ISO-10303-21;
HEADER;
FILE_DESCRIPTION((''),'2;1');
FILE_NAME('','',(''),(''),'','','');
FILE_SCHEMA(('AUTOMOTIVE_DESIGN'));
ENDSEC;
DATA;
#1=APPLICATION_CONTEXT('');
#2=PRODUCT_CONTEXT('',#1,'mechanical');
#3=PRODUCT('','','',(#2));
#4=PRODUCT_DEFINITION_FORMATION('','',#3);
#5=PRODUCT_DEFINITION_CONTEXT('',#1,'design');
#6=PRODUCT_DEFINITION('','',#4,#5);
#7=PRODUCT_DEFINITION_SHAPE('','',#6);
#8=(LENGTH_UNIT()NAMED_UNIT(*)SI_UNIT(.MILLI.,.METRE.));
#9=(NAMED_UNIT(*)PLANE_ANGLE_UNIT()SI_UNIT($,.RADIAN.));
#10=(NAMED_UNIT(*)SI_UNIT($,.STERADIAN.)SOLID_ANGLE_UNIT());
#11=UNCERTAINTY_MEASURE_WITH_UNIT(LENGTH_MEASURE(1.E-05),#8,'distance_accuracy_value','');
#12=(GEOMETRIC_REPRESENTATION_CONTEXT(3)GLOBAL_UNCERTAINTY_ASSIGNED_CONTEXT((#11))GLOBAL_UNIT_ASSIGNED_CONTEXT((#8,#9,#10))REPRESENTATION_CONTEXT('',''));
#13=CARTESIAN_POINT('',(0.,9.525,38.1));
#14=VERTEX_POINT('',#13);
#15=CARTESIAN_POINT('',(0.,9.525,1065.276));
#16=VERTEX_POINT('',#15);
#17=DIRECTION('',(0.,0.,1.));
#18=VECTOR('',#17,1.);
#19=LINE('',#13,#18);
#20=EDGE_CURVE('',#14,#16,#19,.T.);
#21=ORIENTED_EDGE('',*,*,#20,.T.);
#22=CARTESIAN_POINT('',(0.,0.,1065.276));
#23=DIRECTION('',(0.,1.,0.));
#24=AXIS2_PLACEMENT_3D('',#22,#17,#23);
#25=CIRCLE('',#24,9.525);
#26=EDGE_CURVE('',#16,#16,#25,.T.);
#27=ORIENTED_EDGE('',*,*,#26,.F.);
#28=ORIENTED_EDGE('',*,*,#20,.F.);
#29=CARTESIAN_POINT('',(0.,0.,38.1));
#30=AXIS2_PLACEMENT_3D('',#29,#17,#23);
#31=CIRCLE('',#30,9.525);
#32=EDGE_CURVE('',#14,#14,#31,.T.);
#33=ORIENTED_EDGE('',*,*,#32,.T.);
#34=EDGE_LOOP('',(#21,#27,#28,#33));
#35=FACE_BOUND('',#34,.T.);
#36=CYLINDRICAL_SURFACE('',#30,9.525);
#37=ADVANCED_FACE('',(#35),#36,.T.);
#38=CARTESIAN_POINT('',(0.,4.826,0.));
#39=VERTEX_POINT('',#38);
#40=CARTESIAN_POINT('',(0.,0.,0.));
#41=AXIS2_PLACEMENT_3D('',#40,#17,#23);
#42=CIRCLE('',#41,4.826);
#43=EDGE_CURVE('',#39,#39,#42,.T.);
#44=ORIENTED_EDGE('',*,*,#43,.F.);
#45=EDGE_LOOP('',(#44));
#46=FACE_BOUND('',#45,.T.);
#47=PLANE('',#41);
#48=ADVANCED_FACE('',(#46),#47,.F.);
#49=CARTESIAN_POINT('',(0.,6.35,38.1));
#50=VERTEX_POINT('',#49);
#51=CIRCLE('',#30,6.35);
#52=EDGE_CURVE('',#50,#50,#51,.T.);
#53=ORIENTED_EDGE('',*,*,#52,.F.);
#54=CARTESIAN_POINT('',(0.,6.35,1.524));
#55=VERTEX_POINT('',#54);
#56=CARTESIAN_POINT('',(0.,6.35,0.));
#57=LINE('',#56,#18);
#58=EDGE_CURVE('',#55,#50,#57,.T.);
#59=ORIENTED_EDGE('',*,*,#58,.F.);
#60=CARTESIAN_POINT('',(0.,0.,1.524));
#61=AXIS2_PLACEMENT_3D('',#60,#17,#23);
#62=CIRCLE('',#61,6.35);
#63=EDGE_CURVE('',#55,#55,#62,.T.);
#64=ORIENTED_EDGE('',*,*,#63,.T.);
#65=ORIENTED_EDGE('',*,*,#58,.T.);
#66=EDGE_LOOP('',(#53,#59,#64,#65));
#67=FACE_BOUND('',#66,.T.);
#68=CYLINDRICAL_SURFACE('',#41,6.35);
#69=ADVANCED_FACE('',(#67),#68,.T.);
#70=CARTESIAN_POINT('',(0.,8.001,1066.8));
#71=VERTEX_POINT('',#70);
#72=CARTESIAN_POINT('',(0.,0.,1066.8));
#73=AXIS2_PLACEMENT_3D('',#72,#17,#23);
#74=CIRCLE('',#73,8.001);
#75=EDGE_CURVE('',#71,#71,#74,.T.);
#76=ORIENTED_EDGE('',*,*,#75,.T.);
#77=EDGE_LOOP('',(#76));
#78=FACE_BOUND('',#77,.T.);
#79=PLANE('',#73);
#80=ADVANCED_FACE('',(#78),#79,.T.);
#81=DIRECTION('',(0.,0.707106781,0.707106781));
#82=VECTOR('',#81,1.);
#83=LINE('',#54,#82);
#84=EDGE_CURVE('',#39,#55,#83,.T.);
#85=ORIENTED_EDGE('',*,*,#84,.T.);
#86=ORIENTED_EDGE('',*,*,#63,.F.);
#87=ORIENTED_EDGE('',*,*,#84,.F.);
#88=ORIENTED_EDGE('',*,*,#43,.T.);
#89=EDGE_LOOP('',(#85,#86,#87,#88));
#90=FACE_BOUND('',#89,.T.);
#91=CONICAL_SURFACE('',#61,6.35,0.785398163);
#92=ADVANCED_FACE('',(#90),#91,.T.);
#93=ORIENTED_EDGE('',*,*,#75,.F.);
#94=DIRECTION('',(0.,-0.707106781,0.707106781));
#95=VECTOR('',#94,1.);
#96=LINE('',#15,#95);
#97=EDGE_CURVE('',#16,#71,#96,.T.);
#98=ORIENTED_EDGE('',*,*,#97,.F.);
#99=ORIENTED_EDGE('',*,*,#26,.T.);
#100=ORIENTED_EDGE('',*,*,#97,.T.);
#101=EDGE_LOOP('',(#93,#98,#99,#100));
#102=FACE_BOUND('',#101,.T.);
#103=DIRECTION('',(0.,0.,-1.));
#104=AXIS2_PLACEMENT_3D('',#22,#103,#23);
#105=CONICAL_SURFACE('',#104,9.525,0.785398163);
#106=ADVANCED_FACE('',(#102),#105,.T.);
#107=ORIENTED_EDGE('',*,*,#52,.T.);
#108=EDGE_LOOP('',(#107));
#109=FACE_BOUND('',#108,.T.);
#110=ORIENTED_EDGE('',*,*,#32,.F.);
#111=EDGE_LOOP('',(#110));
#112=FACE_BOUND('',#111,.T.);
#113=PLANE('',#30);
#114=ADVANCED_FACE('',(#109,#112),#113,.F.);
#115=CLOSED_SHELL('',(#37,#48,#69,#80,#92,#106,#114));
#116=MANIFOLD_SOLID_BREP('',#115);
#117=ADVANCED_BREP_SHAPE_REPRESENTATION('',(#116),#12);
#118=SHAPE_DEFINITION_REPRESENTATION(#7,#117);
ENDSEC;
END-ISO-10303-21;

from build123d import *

# Parameters (mm, degrees)
F2_SIZE = 1.524


with BuildPart() as f1:
    # F0 (on Right) → F1 (revolve)
    with BuildSketch(Plane.YZ):
        Polygon((0, 1066.8), (0, 0), (6.35, 0), (6.35, 38.1), (9.525, 38.1), (9.525, 1066.8), align=None)
    revolve(axis=Axis((0, 0, 533.4), (0, 0, 1)))

    # F2
    f2_edges = [f1.edges().sort_by_distance(p)[0] for p in [
        (0, -6.35, 0),
        (0, -9.525, 1066.8),
    ]]
    chamfer(f2_edges, length=F2_SIZE)


solid = f1.part
